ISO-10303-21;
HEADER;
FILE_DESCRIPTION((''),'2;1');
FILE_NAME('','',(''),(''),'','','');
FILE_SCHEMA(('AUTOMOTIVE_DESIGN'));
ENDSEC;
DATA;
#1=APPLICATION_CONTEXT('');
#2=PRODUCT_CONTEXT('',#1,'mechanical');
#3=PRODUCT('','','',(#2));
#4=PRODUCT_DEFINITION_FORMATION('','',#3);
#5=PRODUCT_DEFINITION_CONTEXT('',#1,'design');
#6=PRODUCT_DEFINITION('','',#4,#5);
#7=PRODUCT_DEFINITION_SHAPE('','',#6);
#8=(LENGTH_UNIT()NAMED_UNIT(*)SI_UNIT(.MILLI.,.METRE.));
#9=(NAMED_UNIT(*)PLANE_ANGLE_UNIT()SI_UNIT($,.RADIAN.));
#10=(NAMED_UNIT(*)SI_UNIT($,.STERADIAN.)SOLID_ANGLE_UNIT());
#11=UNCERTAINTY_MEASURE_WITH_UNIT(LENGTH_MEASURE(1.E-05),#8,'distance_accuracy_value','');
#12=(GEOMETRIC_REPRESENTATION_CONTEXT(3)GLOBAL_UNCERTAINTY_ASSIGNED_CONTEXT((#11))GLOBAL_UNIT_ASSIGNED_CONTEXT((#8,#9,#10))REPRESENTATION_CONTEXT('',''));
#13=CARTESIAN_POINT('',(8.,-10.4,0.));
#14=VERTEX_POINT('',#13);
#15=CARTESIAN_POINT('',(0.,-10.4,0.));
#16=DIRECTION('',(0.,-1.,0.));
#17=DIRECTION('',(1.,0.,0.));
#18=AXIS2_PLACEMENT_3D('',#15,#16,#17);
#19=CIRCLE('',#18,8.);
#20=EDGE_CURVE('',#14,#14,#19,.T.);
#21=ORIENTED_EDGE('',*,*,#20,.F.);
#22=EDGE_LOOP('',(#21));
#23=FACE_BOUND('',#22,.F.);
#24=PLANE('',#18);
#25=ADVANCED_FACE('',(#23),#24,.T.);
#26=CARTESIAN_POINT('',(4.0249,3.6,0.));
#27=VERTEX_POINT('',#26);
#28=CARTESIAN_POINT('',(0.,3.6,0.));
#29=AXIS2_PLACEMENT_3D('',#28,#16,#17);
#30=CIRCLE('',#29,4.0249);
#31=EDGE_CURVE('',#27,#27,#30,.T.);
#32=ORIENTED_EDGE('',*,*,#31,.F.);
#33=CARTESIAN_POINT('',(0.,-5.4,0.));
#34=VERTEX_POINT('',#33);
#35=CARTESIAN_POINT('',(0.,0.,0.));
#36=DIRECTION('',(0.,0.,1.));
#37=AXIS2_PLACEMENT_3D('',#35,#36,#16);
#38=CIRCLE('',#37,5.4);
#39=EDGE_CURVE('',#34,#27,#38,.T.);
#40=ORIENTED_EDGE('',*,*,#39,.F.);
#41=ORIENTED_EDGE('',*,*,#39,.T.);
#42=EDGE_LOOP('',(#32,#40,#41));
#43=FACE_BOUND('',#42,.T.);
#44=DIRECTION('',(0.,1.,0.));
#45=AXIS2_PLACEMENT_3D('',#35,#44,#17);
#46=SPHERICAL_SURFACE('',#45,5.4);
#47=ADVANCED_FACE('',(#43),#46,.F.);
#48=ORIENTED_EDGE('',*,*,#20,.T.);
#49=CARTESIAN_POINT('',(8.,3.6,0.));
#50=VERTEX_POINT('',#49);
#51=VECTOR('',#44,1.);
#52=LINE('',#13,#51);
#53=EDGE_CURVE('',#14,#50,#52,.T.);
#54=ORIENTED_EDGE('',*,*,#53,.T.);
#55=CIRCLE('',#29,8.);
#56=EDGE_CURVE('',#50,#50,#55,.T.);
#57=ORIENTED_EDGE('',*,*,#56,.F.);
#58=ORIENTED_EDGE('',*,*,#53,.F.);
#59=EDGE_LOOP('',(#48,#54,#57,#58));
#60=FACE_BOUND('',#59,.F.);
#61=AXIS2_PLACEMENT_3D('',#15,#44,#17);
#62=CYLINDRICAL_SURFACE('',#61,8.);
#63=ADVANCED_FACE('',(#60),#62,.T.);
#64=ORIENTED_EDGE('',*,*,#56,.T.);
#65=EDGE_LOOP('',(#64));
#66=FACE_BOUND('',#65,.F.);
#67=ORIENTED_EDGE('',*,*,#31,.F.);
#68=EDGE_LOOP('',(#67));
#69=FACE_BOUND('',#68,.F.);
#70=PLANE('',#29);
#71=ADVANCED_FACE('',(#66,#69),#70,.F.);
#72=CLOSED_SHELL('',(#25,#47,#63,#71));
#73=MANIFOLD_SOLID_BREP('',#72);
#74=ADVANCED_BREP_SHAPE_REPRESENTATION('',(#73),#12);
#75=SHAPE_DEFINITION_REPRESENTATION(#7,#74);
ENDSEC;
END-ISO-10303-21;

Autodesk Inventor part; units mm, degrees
ref_plane "YZ Plane" through (0, 0, 0) normal (1, 0, 0) x (0, 1, 0)
ref_plane "XZ Plane" through (0, 0, 0) normal (0, 1, 0) x (-1, 0, 0)
ref_plane "XY Plane" through (0, 0, 0) normal (0, 0, 1) x (1, 0, 0)
sketch "草圖1" plane through (0, 0, 0) normal (0, 0, 1) x (1, 0, 0)
  arc A0 (0, -5.4) -> (0, 5.4) centre (0, 0) ccw
  line L0 (0, 0) -> (0, -5.4) construction
  line L1 (0, 0) -> (0, 5.4) construction
  line L2 (0, -5.4) -> (0, -10.4)
  line L3 (0, -10.4) -> (8, -10.4)
  line L4 (8, -10.4) -> (8, 3.6)
  line L5 (8, 3.6) -> (4.0249, 3.6)
  dimension "d0" = 5.4
  dimension "d1" = 180
  dimension "d2" = 5
  dimension "d3" = 8
  dimension "d4" = 14
revolve "迴轉1" add sketch "草圖1" angle 360 about axis through (0, -5.4, 0) along (0, -1, 0)
sketch "草圖2" plane through (0, -10.4, 0) normal (0, -1, 0) x (1, 0, 0)
  point P0 (0, 0)
properties part number "伸縮缸 球軸 座"
